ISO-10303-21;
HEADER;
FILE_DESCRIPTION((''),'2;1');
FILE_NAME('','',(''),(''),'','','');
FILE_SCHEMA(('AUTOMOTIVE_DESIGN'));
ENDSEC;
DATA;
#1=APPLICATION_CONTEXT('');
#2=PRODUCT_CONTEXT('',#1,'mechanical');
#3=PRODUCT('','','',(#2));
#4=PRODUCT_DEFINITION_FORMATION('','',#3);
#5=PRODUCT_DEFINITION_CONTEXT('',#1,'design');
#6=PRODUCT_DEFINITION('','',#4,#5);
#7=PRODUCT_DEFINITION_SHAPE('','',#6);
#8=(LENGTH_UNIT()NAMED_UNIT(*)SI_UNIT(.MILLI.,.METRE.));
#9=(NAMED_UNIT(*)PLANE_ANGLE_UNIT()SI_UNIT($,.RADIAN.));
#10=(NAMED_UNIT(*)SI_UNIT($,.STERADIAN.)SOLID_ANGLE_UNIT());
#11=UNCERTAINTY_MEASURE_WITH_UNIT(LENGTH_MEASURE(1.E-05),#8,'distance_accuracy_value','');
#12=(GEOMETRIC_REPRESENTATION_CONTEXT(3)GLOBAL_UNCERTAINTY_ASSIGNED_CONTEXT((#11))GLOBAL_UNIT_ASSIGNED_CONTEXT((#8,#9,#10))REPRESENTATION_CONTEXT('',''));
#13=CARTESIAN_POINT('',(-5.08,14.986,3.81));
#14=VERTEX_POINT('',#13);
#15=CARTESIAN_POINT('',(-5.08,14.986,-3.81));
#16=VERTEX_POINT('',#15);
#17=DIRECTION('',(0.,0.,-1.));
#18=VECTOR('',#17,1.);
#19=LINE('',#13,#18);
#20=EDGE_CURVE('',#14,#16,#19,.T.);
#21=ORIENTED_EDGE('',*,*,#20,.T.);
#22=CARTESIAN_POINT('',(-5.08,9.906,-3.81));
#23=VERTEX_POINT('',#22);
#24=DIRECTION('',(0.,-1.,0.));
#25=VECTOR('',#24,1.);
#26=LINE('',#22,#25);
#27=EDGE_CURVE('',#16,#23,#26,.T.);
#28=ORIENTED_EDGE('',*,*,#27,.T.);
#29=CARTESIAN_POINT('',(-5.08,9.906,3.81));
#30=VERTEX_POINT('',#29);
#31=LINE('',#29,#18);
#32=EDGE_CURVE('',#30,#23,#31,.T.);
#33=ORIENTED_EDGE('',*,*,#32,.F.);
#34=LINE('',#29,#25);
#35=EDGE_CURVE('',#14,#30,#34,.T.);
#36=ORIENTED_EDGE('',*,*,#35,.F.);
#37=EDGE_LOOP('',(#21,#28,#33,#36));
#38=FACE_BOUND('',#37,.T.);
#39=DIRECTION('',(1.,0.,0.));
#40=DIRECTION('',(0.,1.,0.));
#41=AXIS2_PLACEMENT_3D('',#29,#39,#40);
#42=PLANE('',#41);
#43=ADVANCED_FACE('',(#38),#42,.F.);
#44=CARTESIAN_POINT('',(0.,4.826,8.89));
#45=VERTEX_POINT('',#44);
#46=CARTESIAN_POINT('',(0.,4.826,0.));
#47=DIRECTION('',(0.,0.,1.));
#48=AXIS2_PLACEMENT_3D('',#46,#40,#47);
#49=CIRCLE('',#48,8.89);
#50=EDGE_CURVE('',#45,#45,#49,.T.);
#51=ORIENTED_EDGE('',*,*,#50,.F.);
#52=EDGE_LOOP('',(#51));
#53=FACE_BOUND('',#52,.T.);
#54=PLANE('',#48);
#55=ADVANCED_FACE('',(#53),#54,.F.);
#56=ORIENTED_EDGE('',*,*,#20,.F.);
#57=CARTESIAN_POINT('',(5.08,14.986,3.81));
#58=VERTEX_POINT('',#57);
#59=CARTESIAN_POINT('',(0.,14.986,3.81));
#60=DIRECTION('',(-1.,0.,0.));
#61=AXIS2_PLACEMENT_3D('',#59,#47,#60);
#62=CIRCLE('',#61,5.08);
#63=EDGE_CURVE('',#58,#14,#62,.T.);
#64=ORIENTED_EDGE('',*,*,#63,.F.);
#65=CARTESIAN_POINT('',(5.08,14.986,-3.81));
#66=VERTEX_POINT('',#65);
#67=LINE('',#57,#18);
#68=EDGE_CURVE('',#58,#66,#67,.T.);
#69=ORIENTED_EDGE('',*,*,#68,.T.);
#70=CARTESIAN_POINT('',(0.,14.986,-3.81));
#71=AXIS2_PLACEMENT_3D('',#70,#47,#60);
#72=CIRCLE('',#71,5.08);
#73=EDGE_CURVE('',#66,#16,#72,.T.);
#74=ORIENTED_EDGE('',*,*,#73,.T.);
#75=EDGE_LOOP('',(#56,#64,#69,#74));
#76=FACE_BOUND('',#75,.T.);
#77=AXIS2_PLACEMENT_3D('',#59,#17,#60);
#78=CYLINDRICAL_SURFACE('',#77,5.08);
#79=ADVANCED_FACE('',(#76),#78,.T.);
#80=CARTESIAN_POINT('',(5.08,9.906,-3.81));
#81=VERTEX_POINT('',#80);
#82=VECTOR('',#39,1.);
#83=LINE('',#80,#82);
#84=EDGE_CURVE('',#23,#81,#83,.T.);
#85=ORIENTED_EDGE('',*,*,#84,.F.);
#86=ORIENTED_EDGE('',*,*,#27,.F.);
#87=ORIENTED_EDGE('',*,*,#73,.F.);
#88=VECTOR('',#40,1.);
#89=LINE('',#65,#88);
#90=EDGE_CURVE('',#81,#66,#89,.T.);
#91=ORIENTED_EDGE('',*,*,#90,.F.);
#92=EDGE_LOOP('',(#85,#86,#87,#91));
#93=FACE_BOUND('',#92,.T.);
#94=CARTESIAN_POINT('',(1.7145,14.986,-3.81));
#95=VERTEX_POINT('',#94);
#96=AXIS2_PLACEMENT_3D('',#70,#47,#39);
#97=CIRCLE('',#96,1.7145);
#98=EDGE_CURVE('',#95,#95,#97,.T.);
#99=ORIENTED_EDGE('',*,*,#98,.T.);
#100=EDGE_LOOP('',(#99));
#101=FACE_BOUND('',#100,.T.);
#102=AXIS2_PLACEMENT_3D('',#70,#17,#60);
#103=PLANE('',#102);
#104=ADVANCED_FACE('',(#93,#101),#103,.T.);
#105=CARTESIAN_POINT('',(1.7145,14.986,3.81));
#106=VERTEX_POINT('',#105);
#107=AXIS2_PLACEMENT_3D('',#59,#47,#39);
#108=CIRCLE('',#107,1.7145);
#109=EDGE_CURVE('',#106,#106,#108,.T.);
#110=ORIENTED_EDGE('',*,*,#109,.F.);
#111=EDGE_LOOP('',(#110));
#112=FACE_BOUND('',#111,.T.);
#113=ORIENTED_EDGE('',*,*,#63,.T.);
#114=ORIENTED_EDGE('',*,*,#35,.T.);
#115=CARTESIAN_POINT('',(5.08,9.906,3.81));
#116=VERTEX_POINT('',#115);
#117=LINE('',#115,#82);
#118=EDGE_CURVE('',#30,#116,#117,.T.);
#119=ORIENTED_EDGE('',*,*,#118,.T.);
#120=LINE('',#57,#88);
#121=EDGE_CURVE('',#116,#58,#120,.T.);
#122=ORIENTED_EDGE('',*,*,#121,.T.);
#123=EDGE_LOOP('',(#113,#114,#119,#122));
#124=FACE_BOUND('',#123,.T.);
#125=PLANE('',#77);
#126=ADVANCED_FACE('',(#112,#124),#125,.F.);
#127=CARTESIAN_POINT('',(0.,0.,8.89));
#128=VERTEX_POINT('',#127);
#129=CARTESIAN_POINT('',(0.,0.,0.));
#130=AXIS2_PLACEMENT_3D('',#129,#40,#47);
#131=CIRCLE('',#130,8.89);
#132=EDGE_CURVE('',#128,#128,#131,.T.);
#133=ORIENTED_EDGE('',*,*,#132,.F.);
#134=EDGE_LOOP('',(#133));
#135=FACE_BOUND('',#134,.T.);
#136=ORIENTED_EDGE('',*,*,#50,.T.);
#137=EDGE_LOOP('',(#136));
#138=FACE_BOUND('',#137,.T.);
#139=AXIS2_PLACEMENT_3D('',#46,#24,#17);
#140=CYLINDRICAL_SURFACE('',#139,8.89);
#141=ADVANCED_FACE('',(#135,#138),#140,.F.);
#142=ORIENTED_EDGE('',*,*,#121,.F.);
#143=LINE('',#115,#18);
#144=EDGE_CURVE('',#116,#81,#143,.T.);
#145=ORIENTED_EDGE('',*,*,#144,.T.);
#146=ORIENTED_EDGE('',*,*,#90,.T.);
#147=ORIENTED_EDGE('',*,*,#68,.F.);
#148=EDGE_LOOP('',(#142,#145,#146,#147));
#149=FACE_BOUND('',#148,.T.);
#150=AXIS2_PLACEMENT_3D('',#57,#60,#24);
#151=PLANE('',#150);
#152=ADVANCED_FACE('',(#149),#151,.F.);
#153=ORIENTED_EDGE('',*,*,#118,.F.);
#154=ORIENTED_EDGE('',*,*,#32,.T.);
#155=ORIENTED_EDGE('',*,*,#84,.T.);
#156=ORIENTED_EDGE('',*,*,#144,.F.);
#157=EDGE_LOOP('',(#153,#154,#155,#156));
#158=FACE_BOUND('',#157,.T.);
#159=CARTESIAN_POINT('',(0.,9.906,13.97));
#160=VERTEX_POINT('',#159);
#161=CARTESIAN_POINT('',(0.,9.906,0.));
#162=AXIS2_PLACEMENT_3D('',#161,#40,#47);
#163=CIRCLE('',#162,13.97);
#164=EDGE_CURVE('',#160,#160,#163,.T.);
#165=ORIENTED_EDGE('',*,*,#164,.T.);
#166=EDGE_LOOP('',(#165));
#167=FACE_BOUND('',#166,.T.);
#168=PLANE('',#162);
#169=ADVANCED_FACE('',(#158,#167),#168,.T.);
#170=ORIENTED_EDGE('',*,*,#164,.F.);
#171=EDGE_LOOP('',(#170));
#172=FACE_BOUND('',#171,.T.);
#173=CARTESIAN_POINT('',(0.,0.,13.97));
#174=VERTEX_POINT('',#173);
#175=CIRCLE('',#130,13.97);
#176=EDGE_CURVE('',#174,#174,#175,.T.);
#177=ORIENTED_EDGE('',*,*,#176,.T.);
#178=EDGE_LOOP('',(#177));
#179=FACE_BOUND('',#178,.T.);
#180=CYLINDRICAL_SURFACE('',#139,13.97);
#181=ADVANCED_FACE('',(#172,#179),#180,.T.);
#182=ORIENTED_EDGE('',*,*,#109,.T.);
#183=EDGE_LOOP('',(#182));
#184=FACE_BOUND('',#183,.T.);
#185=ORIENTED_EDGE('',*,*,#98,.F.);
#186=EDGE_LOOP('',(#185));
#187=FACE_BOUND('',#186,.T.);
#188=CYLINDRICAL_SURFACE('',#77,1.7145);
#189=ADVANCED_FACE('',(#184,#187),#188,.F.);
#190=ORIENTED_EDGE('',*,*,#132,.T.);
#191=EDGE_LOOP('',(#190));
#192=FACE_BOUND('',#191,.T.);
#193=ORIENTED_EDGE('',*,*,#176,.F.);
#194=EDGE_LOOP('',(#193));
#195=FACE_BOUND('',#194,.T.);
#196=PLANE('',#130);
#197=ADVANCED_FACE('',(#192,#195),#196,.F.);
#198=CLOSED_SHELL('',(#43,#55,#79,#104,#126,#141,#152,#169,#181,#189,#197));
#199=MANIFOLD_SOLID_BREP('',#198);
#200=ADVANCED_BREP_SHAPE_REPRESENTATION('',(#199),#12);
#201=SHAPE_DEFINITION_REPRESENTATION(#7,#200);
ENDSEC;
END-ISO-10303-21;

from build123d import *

# Parameters (mm, degrees)
SKETCH1_R           = 13.97
SKETCH1_R_2         = 8.89
BOSS_EXTRUDE1_DEPTH = 4.826
SKETCH2_R           = 13.97
BOSS_EXTRUDE2_DEPTH = 5.08
SKETCH3_R           = 1.7145
BOSS_EXTRUDE3_DEPTH = 3.81


with BuildPart() as part:
    # Sketch1 → Boss-Extrude1 (new body)
    with BuildSketch(Plane(origin=(0, 0, 0), x_dir=(1, 0, 0), z_dir=(0, 1, 0))):
        with Locations(Location((0, 0, 0), (0, 0, 270))):  # turned: the seam where the file's is
            Circle(SKETCH1_R)
        with Locations(Location((0, 0, 0), (0, 0, 270))):  # turned: the seam where the file's is
            Circle(SKETCH1_R_2, mode=Mode.SUBTRACT)
    extrude(amount=BOSS_EXTRUDE1_DEPTH)

    # Sketch2 → Boss-Extrude2 (add)
    with BuildSketch(Plane(origin=(0, 4.826, 0), x_dir=(1, 0, 0), z_dir=(0, 1, 0))):
        with Locations(Location((0, 0, 0), (0, 0, 270))):  # turned: the seam where the file's is
            Circle(SKETCH2_R)
    extrude(amount=BOSS_EXTRUDE2_DEPTH)

    # Sketch3 → Boss-Extrude3 (add, symmetric)
    with BuildSketch(Plane.XY):
        with BuildLine():
            Line((-5.08, 9.906), (-5.08, 14.986))
            ThreePointArc((-5.08, 14.986), (0, 20.066), (5.08, 14.986))
            Line((5.08, 14.986), (5.08, 9.906))
            Line((5.08, 9.906), (-5.08, 9.906))
        make_face()
        with Locations((0, 14.986)):
            Circle(SKETCH3_R, mode=Mode.SUBTRACT)
    extrude(amount=BOSS_EXTRUDE3_DEPTH, both=True)


solid = part.part
